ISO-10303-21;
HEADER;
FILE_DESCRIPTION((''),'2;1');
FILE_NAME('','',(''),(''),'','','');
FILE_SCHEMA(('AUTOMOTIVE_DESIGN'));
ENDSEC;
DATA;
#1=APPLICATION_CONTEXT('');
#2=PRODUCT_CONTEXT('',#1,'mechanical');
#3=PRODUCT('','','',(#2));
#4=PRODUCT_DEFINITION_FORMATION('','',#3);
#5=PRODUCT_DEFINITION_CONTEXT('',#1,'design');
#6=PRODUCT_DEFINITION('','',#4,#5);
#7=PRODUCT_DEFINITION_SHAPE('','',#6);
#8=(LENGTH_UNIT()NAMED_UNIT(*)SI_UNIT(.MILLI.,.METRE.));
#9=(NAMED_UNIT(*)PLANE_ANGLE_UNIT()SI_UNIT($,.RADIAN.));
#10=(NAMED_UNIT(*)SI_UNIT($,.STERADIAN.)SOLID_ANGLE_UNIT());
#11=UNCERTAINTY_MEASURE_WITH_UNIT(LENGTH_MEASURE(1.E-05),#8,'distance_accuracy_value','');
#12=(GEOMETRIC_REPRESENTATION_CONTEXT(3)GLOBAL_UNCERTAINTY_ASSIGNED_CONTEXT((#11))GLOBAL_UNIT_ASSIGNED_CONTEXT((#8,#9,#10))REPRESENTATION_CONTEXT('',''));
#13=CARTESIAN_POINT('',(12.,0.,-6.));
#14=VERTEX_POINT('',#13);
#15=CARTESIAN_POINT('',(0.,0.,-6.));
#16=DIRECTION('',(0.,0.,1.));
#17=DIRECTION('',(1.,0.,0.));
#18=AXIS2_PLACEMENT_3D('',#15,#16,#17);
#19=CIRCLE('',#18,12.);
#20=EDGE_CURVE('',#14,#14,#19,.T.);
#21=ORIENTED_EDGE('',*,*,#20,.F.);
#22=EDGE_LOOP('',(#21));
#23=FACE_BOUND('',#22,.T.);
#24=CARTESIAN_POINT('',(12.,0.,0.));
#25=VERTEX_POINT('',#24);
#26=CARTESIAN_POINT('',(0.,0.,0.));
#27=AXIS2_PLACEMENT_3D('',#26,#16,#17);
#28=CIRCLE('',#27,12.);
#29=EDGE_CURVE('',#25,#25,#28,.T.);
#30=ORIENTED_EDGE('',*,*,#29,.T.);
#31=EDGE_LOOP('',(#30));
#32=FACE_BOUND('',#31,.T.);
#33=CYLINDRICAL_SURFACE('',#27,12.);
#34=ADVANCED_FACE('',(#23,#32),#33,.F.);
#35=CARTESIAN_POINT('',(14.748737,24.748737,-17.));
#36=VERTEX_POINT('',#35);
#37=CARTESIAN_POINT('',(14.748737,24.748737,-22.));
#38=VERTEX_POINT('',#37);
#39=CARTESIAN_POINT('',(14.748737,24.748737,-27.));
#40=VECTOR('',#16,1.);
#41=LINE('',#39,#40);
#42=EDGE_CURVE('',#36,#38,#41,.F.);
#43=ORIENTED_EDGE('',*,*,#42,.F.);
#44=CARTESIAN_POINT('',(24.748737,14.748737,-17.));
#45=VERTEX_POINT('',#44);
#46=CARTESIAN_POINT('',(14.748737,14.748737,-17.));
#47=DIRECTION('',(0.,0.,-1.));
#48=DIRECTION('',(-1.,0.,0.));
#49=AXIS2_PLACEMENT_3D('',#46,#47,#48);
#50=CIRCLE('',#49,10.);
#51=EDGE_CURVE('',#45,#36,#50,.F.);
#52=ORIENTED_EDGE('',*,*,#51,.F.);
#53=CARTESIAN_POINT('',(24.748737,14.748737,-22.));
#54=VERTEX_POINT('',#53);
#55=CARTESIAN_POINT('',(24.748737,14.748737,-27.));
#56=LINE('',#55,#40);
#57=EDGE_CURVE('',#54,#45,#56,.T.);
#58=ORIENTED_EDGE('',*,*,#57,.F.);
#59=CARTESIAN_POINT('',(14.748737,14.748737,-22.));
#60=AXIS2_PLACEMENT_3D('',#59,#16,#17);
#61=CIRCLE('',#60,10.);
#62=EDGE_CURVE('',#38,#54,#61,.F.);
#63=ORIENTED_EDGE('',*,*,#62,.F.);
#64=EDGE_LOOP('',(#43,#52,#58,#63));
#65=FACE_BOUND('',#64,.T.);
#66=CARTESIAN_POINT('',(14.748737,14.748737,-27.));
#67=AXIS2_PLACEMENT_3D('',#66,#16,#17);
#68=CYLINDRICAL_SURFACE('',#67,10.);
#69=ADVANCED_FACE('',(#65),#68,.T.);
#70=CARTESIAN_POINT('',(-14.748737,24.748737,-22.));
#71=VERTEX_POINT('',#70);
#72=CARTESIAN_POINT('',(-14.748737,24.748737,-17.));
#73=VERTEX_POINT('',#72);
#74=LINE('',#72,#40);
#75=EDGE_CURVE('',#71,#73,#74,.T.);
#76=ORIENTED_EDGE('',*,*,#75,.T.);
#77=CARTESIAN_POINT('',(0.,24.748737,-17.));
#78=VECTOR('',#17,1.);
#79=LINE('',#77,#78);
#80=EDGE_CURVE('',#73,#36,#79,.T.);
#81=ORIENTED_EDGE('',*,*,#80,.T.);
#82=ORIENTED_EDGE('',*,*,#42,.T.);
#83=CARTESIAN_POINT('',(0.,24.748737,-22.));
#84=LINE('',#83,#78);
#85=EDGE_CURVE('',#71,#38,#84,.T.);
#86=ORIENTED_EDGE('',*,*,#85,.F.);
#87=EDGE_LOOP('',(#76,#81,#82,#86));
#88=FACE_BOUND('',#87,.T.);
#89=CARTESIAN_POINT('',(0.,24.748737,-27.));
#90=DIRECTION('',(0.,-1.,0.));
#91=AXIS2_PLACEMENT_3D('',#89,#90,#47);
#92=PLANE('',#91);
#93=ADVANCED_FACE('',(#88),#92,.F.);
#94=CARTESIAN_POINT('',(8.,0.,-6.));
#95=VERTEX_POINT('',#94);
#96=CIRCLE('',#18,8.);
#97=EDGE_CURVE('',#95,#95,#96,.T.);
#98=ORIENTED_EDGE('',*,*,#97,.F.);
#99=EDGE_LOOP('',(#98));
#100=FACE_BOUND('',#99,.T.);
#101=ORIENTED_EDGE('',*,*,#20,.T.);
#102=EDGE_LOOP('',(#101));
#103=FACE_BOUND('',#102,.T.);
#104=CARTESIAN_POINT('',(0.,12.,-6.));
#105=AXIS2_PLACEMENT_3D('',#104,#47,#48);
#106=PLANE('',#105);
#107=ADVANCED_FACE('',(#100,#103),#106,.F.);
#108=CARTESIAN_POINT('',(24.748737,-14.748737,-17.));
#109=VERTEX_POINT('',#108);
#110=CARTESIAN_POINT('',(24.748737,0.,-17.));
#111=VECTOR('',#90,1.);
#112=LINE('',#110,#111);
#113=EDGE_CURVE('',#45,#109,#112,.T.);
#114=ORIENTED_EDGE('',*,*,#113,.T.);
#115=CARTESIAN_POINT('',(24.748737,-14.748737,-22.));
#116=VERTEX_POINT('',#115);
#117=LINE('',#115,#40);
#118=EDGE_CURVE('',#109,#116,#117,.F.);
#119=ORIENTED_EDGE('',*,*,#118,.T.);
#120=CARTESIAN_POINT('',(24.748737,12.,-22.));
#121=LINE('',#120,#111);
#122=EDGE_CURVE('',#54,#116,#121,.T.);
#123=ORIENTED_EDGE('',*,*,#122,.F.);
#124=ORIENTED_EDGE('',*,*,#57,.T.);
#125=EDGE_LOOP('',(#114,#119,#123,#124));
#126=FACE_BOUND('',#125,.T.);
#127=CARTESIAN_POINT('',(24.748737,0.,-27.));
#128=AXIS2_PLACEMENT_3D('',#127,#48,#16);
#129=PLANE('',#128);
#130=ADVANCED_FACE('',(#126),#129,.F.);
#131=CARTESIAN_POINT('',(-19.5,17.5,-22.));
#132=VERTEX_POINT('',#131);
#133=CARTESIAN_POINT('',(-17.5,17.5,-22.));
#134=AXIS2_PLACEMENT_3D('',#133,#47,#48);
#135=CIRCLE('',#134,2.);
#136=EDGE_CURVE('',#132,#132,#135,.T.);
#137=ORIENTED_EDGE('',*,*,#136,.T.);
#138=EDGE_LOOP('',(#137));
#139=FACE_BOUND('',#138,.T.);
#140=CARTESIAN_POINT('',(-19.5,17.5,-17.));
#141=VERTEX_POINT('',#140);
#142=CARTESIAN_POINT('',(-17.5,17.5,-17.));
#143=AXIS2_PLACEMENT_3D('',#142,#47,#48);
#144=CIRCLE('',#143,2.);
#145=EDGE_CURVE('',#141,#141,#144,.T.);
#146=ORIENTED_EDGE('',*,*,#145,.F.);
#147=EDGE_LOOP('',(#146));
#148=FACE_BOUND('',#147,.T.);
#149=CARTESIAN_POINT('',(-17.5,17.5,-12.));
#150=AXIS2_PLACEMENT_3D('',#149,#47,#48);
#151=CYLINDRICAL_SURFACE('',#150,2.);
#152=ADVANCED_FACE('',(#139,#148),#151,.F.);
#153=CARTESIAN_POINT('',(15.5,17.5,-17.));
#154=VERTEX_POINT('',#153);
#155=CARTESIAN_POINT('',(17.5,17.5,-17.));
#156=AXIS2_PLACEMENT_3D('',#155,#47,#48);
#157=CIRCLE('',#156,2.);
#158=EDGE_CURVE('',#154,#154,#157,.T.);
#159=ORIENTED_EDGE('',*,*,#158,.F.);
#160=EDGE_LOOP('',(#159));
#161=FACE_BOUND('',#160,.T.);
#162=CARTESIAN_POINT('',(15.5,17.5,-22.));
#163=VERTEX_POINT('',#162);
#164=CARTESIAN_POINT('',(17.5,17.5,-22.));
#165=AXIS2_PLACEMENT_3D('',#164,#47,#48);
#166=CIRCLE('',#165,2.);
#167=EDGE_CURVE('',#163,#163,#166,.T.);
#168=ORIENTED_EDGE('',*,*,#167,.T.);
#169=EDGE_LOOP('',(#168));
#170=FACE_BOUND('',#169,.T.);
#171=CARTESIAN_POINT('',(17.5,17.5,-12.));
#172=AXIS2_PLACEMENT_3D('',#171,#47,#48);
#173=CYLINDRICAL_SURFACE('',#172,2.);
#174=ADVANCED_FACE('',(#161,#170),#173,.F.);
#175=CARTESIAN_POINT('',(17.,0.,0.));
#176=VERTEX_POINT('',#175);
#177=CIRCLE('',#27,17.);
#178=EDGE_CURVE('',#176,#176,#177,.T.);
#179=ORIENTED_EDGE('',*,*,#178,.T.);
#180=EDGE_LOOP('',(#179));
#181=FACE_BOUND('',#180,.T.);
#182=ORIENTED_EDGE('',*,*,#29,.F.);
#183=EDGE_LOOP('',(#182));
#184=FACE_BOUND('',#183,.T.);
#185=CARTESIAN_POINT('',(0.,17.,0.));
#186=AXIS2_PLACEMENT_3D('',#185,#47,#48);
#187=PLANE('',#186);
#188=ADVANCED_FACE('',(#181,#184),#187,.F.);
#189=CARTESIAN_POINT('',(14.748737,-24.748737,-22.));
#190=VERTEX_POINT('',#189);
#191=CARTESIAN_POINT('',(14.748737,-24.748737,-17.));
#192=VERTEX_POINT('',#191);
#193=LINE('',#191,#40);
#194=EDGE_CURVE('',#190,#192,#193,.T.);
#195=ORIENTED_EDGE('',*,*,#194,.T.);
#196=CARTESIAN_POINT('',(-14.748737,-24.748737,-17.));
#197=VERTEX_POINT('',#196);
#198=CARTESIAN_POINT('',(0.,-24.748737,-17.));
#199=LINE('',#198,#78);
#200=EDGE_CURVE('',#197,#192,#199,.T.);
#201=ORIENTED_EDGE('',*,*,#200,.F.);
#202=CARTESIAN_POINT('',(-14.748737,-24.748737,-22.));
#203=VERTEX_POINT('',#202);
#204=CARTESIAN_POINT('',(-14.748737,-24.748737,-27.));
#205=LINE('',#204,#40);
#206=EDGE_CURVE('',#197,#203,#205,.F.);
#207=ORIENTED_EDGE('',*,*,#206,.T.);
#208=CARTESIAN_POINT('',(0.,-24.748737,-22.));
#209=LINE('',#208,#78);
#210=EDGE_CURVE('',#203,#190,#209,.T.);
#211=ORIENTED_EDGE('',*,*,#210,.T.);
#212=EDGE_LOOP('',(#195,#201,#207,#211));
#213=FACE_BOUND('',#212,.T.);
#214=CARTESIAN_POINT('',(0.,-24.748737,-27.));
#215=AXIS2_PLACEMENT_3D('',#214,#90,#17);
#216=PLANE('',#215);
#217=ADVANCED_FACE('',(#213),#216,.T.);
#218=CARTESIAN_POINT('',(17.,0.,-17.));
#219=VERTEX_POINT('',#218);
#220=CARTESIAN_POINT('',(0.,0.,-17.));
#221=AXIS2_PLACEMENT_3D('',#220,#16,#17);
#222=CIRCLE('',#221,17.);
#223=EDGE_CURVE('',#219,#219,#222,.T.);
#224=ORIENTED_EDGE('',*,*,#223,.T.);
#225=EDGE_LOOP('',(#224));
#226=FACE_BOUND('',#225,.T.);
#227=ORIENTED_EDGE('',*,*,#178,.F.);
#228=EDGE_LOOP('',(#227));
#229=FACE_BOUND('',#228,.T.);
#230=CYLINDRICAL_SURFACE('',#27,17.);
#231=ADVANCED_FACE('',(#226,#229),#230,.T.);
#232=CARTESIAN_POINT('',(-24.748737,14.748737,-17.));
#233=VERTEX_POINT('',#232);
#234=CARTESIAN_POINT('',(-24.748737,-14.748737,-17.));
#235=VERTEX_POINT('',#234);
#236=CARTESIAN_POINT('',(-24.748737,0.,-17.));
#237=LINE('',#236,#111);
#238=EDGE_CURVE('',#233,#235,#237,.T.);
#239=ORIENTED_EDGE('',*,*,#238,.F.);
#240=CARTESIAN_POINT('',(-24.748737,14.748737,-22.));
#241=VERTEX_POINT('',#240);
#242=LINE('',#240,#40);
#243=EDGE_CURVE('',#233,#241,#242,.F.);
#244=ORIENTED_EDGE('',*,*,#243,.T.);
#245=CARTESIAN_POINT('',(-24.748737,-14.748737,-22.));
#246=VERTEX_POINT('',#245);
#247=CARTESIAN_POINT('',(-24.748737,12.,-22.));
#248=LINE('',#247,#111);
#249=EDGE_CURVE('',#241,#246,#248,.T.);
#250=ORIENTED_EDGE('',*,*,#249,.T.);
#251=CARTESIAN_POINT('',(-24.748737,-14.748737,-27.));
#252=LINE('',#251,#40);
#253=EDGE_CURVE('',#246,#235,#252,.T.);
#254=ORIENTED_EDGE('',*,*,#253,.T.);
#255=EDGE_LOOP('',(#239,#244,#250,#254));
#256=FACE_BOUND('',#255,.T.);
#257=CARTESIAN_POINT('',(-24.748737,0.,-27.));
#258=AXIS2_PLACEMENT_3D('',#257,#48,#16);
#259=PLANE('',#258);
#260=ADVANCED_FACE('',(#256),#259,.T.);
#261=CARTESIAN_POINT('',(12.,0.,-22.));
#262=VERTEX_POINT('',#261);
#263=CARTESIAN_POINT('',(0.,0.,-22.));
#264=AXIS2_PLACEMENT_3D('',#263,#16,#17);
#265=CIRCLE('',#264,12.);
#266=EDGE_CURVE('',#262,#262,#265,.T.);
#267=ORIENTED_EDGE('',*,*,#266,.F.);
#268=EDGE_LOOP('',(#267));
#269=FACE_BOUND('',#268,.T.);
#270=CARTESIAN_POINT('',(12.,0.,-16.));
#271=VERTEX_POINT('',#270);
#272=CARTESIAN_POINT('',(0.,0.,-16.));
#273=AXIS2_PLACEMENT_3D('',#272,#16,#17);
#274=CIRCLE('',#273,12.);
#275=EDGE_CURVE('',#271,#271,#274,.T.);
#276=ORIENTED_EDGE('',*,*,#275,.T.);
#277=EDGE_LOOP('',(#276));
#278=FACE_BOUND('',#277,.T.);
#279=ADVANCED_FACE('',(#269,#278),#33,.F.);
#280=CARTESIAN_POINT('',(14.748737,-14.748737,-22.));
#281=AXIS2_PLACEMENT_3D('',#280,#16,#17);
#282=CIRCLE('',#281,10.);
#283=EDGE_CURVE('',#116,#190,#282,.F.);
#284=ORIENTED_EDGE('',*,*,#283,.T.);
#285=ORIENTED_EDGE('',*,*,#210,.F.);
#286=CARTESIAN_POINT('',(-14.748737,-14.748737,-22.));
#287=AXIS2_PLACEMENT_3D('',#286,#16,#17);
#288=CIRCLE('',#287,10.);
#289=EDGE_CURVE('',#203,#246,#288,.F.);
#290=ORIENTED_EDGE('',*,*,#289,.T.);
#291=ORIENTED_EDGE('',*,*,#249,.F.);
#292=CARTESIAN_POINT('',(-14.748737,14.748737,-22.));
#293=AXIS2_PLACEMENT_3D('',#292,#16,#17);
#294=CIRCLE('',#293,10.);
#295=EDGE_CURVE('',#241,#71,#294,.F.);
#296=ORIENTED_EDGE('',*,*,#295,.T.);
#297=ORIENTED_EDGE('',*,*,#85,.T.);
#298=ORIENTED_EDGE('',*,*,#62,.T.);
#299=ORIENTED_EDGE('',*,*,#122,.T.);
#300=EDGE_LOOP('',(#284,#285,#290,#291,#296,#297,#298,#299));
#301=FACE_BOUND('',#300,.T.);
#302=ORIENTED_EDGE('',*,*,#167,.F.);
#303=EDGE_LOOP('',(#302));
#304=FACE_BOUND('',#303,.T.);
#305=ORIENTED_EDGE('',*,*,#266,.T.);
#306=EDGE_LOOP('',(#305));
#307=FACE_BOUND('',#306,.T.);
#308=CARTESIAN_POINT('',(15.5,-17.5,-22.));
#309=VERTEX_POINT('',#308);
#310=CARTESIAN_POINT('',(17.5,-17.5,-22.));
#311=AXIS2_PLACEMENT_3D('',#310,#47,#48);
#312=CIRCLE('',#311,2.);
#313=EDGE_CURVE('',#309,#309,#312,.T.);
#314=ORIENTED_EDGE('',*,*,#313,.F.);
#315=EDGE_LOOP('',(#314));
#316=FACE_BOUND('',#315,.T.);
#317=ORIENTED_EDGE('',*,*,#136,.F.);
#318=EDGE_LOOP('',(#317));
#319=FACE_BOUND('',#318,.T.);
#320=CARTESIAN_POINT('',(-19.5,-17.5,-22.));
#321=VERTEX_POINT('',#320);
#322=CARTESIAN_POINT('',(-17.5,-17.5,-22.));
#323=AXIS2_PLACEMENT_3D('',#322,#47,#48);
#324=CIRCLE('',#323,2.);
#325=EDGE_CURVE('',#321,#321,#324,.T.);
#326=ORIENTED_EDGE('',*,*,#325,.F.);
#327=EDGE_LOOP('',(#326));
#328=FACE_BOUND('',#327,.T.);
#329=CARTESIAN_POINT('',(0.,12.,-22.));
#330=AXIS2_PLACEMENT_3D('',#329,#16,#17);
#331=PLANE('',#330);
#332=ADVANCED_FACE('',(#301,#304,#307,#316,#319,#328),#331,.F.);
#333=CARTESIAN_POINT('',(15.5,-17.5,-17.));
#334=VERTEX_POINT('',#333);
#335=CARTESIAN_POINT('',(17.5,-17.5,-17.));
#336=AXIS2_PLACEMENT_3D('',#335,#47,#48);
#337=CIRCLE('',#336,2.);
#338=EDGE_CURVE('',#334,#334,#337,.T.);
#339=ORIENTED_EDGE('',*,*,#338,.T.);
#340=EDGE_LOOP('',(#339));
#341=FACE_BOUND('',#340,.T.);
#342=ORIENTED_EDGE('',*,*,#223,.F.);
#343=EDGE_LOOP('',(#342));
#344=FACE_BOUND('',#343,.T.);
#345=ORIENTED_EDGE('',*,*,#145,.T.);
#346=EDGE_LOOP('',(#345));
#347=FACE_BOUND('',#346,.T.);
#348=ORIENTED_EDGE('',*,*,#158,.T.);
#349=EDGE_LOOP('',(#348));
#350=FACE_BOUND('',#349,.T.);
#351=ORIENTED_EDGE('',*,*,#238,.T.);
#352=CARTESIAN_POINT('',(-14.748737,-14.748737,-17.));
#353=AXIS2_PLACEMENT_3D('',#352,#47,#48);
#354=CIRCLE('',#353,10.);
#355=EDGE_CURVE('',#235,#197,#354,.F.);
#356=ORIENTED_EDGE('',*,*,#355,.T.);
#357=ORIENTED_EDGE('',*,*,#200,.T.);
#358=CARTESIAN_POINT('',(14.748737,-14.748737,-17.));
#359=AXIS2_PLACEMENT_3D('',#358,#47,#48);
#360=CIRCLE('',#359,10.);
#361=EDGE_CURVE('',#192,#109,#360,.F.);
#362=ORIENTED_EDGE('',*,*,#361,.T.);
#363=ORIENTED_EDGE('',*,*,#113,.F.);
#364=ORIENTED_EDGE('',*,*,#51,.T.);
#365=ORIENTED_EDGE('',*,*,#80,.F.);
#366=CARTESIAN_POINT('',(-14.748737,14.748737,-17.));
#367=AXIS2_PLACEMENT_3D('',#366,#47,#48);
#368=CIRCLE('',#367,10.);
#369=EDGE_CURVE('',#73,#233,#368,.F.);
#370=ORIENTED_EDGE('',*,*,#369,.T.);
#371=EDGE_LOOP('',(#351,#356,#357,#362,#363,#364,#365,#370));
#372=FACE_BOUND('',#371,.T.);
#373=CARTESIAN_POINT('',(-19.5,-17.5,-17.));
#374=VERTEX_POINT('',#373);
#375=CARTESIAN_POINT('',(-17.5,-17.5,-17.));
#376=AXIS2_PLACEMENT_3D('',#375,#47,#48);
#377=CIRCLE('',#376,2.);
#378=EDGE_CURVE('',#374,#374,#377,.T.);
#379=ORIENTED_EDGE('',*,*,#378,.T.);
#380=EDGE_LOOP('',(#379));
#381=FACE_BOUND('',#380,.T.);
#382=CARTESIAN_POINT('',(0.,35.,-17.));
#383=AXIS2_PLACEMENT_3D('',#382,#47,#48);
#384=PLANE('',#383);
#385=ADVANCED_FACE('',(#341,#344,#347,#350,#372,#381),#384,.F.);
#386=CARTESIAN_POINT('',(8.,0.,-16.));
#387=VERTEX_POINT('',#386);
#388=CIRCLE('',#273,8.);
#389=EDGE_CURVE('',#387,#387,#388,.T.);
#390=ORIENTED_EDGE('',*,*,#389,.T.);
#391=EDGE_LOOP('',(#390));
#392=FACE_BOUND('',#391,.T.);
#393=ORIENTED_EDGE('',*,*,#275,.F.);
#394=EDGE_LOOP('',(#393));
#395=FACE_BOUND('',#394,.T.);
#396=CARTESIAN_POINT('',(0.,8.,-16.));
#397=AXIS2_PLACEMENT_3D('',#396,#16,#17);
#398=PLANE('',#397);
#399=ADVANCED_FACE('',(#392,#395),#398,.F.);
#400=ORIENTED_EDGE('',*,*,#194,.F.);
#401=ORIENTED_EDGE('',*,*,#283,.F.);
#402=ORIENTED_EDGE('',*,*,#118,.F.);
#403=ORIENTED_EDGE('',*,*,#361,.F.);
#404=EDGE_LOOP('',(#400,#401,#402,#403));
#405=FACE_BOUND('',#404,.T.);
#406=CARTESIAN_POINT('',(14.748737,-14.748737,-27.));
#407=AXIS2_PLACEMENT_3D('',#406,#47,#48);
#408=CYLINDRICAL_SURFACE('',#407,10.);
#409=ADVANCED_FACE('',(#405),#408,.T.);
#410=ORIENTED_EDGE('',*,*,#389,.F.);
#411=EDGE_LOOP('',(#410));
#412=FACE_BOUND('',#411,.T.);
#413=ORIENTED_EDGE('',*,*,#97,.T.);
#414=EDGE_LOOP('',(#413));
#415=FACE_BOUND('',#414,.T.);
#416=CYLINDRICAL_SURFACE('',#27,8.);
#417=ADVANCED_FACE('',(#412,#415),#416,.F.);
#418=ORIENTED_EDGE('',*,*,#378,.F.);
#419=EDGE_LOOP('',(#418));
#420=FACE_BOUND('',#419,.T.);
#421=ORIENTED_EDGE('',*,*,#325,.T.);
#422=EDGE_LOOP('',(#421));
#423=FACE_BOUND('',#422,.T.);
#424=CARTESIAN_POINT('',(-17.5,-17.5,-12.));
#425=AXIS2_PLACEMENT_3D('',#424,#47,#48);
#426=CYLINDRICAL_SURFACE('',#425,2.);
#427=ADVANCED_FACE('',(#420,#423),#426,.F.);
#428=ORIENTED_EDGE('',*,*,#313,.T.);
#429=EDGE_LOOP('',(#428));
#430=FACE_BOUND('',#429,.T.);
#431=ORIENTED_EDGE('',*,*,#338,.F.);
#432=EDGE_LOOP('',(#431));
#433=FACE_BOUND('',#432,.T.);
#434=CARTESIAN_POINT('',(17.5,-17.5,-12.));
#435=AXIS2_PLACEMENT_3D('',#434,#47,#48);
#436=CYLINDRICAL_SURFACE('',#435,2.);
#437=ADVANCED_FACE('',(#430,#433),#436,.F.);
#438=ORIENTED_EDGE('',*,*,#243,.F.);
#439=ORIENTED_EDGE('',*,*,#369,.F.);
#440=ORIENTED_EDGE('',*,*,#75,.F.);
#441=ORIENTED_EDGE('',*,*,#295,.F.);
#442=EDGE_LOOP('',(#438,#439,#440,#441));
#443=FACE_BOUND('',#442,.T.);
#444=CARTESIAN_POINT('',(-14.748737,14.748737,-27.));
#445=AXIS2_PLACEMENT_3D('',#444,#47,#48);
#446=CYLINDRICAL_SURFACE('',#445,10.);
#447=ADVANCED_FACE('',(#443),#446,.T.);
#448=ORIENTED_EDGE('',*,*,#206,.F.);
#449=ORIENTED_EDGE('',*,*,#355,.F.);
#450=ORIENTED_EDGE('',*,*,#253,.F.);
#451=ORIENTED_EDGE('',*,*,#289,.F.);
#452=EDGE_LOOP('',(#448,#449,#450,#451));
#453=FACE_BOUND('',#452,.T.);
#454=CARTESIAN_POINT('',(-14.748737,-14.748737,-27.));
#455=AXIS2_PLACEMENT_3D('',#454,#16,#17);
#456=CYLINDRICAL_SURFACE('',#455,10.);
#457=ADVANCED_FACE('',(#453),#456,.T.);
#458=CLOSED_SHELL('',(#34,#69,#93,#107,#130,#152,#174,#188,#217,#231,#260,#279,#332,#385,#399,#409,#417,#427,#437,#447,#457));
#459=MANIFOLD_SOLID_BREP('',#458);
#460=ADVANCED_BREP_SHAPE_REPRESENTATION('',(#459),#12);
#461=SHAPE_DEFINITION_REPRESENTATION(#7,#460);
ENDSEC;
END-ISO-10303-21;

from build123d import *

# Parameters (mm, degrees)
CUT_EXTRUDE1_DEPTH = 10
FILLET1_R          = 10
SKETCH5_R          = 2
CUT_EXTRUDE2_DEPTH = 10


with BuildPart() as part:
    # Sketch3 → Revolve1 (revolve)
    with BuildSketch(Plane(origin=(0, 0, 0), x_dir=(0, 0, -1), z_dir=(1, 0, 0)), mode=Mode.PRIVATE) as revolve1_sk:
        Polygon((0, 12), (6, 12), (6, 8), (16, 8), (16, 12), (22, 12), (22, 35), (17, 35), (17, 17), (0, 17), align=None)
    revolve(revolve1_sk.sketch.rotate(Axis((0, 0, 0), (0, 0, -1)), 90), axis=Axis((0, 0, 0), (0, 0, -1)))

    # Sketch4 → Cut-Extrude1 (cut)
    with BuildSketch(Plane.XY.offset(-17)):
        with BuildLine():
            ThreePointArc((35, 0), (32.335783638, 13.393920133), (24.748737342, 24.748737342))
            Line((24.748737342, 24.748737342), (24.748737342, -24.748737342))
            ThreePointArc((24.748737342, -24.748737342), (32.335783638, -13.393920133), (35, 0))
        make_face()
        with BuildLine():
            ThreePointArc((24.748737342, 24.748737342), (0, 35), (-24.748737342, 24.748737342))
            Line((-24.748737342, 24.748737342), (24.748737342, 24.748737342))
        make_face()
        with BuildLine():
            Line((-24.748737342, -24.748737342), (-24.748737342, 24.748737342))
            ThreePointArc((-24.748737342, 24.748737342), (-35, 0), (-24.748737342, -24.748737342))
        make_face()
        with BuildLine():
            Line((24.748737342, -24.748737342), (-24.748737342, -24.748737342))
            ThreePointArc((-24.748737342, -24.748737342), (0, -35), (24.748737342, -24.748737342))
        make_face()
    extrude(amount=-CUT_EXTRUDE1_DEPTH, mode=Mode.SUBTRACT)

    # Fillet1
    fillet1_edges = [part.edges().sort_by_distance(p)[0] for p in [
        (24.748737342, 24.748737342, -19.5),
        (24.748737342, -24.748737342, -19.5),
        (-24.748737342, 24.748737342, -19.5),
        (-24.748737342, -24.748737342, -19.5),
    ]]
    fillet(fillet1_edges, radius=FILLET1_R)

    # Sketch5 → Cut-Extrude2 (cut)
    with BuildSketch(Plane(origin=(0, 0, -22), x_dir=(-1, 0, 0), z_dir=(0, 0, -1))):
        with Locations((-17.5, 17.5)):
            Circle(SKETCH5_R)
        with Locations((17.5, 17.5)):
            Circle(SKETCH5_R)
        with Locations((17.5, -17.5)):
            Circle(SKETCH5_R)
        with Locations((-17.5, -17.5)):
            Circle(SKETCH5_R)
    extrude(amount=-CUT_EXTRUDE2_DEPTH, mode=Mode.SUBTRACT)


solid = part.part
